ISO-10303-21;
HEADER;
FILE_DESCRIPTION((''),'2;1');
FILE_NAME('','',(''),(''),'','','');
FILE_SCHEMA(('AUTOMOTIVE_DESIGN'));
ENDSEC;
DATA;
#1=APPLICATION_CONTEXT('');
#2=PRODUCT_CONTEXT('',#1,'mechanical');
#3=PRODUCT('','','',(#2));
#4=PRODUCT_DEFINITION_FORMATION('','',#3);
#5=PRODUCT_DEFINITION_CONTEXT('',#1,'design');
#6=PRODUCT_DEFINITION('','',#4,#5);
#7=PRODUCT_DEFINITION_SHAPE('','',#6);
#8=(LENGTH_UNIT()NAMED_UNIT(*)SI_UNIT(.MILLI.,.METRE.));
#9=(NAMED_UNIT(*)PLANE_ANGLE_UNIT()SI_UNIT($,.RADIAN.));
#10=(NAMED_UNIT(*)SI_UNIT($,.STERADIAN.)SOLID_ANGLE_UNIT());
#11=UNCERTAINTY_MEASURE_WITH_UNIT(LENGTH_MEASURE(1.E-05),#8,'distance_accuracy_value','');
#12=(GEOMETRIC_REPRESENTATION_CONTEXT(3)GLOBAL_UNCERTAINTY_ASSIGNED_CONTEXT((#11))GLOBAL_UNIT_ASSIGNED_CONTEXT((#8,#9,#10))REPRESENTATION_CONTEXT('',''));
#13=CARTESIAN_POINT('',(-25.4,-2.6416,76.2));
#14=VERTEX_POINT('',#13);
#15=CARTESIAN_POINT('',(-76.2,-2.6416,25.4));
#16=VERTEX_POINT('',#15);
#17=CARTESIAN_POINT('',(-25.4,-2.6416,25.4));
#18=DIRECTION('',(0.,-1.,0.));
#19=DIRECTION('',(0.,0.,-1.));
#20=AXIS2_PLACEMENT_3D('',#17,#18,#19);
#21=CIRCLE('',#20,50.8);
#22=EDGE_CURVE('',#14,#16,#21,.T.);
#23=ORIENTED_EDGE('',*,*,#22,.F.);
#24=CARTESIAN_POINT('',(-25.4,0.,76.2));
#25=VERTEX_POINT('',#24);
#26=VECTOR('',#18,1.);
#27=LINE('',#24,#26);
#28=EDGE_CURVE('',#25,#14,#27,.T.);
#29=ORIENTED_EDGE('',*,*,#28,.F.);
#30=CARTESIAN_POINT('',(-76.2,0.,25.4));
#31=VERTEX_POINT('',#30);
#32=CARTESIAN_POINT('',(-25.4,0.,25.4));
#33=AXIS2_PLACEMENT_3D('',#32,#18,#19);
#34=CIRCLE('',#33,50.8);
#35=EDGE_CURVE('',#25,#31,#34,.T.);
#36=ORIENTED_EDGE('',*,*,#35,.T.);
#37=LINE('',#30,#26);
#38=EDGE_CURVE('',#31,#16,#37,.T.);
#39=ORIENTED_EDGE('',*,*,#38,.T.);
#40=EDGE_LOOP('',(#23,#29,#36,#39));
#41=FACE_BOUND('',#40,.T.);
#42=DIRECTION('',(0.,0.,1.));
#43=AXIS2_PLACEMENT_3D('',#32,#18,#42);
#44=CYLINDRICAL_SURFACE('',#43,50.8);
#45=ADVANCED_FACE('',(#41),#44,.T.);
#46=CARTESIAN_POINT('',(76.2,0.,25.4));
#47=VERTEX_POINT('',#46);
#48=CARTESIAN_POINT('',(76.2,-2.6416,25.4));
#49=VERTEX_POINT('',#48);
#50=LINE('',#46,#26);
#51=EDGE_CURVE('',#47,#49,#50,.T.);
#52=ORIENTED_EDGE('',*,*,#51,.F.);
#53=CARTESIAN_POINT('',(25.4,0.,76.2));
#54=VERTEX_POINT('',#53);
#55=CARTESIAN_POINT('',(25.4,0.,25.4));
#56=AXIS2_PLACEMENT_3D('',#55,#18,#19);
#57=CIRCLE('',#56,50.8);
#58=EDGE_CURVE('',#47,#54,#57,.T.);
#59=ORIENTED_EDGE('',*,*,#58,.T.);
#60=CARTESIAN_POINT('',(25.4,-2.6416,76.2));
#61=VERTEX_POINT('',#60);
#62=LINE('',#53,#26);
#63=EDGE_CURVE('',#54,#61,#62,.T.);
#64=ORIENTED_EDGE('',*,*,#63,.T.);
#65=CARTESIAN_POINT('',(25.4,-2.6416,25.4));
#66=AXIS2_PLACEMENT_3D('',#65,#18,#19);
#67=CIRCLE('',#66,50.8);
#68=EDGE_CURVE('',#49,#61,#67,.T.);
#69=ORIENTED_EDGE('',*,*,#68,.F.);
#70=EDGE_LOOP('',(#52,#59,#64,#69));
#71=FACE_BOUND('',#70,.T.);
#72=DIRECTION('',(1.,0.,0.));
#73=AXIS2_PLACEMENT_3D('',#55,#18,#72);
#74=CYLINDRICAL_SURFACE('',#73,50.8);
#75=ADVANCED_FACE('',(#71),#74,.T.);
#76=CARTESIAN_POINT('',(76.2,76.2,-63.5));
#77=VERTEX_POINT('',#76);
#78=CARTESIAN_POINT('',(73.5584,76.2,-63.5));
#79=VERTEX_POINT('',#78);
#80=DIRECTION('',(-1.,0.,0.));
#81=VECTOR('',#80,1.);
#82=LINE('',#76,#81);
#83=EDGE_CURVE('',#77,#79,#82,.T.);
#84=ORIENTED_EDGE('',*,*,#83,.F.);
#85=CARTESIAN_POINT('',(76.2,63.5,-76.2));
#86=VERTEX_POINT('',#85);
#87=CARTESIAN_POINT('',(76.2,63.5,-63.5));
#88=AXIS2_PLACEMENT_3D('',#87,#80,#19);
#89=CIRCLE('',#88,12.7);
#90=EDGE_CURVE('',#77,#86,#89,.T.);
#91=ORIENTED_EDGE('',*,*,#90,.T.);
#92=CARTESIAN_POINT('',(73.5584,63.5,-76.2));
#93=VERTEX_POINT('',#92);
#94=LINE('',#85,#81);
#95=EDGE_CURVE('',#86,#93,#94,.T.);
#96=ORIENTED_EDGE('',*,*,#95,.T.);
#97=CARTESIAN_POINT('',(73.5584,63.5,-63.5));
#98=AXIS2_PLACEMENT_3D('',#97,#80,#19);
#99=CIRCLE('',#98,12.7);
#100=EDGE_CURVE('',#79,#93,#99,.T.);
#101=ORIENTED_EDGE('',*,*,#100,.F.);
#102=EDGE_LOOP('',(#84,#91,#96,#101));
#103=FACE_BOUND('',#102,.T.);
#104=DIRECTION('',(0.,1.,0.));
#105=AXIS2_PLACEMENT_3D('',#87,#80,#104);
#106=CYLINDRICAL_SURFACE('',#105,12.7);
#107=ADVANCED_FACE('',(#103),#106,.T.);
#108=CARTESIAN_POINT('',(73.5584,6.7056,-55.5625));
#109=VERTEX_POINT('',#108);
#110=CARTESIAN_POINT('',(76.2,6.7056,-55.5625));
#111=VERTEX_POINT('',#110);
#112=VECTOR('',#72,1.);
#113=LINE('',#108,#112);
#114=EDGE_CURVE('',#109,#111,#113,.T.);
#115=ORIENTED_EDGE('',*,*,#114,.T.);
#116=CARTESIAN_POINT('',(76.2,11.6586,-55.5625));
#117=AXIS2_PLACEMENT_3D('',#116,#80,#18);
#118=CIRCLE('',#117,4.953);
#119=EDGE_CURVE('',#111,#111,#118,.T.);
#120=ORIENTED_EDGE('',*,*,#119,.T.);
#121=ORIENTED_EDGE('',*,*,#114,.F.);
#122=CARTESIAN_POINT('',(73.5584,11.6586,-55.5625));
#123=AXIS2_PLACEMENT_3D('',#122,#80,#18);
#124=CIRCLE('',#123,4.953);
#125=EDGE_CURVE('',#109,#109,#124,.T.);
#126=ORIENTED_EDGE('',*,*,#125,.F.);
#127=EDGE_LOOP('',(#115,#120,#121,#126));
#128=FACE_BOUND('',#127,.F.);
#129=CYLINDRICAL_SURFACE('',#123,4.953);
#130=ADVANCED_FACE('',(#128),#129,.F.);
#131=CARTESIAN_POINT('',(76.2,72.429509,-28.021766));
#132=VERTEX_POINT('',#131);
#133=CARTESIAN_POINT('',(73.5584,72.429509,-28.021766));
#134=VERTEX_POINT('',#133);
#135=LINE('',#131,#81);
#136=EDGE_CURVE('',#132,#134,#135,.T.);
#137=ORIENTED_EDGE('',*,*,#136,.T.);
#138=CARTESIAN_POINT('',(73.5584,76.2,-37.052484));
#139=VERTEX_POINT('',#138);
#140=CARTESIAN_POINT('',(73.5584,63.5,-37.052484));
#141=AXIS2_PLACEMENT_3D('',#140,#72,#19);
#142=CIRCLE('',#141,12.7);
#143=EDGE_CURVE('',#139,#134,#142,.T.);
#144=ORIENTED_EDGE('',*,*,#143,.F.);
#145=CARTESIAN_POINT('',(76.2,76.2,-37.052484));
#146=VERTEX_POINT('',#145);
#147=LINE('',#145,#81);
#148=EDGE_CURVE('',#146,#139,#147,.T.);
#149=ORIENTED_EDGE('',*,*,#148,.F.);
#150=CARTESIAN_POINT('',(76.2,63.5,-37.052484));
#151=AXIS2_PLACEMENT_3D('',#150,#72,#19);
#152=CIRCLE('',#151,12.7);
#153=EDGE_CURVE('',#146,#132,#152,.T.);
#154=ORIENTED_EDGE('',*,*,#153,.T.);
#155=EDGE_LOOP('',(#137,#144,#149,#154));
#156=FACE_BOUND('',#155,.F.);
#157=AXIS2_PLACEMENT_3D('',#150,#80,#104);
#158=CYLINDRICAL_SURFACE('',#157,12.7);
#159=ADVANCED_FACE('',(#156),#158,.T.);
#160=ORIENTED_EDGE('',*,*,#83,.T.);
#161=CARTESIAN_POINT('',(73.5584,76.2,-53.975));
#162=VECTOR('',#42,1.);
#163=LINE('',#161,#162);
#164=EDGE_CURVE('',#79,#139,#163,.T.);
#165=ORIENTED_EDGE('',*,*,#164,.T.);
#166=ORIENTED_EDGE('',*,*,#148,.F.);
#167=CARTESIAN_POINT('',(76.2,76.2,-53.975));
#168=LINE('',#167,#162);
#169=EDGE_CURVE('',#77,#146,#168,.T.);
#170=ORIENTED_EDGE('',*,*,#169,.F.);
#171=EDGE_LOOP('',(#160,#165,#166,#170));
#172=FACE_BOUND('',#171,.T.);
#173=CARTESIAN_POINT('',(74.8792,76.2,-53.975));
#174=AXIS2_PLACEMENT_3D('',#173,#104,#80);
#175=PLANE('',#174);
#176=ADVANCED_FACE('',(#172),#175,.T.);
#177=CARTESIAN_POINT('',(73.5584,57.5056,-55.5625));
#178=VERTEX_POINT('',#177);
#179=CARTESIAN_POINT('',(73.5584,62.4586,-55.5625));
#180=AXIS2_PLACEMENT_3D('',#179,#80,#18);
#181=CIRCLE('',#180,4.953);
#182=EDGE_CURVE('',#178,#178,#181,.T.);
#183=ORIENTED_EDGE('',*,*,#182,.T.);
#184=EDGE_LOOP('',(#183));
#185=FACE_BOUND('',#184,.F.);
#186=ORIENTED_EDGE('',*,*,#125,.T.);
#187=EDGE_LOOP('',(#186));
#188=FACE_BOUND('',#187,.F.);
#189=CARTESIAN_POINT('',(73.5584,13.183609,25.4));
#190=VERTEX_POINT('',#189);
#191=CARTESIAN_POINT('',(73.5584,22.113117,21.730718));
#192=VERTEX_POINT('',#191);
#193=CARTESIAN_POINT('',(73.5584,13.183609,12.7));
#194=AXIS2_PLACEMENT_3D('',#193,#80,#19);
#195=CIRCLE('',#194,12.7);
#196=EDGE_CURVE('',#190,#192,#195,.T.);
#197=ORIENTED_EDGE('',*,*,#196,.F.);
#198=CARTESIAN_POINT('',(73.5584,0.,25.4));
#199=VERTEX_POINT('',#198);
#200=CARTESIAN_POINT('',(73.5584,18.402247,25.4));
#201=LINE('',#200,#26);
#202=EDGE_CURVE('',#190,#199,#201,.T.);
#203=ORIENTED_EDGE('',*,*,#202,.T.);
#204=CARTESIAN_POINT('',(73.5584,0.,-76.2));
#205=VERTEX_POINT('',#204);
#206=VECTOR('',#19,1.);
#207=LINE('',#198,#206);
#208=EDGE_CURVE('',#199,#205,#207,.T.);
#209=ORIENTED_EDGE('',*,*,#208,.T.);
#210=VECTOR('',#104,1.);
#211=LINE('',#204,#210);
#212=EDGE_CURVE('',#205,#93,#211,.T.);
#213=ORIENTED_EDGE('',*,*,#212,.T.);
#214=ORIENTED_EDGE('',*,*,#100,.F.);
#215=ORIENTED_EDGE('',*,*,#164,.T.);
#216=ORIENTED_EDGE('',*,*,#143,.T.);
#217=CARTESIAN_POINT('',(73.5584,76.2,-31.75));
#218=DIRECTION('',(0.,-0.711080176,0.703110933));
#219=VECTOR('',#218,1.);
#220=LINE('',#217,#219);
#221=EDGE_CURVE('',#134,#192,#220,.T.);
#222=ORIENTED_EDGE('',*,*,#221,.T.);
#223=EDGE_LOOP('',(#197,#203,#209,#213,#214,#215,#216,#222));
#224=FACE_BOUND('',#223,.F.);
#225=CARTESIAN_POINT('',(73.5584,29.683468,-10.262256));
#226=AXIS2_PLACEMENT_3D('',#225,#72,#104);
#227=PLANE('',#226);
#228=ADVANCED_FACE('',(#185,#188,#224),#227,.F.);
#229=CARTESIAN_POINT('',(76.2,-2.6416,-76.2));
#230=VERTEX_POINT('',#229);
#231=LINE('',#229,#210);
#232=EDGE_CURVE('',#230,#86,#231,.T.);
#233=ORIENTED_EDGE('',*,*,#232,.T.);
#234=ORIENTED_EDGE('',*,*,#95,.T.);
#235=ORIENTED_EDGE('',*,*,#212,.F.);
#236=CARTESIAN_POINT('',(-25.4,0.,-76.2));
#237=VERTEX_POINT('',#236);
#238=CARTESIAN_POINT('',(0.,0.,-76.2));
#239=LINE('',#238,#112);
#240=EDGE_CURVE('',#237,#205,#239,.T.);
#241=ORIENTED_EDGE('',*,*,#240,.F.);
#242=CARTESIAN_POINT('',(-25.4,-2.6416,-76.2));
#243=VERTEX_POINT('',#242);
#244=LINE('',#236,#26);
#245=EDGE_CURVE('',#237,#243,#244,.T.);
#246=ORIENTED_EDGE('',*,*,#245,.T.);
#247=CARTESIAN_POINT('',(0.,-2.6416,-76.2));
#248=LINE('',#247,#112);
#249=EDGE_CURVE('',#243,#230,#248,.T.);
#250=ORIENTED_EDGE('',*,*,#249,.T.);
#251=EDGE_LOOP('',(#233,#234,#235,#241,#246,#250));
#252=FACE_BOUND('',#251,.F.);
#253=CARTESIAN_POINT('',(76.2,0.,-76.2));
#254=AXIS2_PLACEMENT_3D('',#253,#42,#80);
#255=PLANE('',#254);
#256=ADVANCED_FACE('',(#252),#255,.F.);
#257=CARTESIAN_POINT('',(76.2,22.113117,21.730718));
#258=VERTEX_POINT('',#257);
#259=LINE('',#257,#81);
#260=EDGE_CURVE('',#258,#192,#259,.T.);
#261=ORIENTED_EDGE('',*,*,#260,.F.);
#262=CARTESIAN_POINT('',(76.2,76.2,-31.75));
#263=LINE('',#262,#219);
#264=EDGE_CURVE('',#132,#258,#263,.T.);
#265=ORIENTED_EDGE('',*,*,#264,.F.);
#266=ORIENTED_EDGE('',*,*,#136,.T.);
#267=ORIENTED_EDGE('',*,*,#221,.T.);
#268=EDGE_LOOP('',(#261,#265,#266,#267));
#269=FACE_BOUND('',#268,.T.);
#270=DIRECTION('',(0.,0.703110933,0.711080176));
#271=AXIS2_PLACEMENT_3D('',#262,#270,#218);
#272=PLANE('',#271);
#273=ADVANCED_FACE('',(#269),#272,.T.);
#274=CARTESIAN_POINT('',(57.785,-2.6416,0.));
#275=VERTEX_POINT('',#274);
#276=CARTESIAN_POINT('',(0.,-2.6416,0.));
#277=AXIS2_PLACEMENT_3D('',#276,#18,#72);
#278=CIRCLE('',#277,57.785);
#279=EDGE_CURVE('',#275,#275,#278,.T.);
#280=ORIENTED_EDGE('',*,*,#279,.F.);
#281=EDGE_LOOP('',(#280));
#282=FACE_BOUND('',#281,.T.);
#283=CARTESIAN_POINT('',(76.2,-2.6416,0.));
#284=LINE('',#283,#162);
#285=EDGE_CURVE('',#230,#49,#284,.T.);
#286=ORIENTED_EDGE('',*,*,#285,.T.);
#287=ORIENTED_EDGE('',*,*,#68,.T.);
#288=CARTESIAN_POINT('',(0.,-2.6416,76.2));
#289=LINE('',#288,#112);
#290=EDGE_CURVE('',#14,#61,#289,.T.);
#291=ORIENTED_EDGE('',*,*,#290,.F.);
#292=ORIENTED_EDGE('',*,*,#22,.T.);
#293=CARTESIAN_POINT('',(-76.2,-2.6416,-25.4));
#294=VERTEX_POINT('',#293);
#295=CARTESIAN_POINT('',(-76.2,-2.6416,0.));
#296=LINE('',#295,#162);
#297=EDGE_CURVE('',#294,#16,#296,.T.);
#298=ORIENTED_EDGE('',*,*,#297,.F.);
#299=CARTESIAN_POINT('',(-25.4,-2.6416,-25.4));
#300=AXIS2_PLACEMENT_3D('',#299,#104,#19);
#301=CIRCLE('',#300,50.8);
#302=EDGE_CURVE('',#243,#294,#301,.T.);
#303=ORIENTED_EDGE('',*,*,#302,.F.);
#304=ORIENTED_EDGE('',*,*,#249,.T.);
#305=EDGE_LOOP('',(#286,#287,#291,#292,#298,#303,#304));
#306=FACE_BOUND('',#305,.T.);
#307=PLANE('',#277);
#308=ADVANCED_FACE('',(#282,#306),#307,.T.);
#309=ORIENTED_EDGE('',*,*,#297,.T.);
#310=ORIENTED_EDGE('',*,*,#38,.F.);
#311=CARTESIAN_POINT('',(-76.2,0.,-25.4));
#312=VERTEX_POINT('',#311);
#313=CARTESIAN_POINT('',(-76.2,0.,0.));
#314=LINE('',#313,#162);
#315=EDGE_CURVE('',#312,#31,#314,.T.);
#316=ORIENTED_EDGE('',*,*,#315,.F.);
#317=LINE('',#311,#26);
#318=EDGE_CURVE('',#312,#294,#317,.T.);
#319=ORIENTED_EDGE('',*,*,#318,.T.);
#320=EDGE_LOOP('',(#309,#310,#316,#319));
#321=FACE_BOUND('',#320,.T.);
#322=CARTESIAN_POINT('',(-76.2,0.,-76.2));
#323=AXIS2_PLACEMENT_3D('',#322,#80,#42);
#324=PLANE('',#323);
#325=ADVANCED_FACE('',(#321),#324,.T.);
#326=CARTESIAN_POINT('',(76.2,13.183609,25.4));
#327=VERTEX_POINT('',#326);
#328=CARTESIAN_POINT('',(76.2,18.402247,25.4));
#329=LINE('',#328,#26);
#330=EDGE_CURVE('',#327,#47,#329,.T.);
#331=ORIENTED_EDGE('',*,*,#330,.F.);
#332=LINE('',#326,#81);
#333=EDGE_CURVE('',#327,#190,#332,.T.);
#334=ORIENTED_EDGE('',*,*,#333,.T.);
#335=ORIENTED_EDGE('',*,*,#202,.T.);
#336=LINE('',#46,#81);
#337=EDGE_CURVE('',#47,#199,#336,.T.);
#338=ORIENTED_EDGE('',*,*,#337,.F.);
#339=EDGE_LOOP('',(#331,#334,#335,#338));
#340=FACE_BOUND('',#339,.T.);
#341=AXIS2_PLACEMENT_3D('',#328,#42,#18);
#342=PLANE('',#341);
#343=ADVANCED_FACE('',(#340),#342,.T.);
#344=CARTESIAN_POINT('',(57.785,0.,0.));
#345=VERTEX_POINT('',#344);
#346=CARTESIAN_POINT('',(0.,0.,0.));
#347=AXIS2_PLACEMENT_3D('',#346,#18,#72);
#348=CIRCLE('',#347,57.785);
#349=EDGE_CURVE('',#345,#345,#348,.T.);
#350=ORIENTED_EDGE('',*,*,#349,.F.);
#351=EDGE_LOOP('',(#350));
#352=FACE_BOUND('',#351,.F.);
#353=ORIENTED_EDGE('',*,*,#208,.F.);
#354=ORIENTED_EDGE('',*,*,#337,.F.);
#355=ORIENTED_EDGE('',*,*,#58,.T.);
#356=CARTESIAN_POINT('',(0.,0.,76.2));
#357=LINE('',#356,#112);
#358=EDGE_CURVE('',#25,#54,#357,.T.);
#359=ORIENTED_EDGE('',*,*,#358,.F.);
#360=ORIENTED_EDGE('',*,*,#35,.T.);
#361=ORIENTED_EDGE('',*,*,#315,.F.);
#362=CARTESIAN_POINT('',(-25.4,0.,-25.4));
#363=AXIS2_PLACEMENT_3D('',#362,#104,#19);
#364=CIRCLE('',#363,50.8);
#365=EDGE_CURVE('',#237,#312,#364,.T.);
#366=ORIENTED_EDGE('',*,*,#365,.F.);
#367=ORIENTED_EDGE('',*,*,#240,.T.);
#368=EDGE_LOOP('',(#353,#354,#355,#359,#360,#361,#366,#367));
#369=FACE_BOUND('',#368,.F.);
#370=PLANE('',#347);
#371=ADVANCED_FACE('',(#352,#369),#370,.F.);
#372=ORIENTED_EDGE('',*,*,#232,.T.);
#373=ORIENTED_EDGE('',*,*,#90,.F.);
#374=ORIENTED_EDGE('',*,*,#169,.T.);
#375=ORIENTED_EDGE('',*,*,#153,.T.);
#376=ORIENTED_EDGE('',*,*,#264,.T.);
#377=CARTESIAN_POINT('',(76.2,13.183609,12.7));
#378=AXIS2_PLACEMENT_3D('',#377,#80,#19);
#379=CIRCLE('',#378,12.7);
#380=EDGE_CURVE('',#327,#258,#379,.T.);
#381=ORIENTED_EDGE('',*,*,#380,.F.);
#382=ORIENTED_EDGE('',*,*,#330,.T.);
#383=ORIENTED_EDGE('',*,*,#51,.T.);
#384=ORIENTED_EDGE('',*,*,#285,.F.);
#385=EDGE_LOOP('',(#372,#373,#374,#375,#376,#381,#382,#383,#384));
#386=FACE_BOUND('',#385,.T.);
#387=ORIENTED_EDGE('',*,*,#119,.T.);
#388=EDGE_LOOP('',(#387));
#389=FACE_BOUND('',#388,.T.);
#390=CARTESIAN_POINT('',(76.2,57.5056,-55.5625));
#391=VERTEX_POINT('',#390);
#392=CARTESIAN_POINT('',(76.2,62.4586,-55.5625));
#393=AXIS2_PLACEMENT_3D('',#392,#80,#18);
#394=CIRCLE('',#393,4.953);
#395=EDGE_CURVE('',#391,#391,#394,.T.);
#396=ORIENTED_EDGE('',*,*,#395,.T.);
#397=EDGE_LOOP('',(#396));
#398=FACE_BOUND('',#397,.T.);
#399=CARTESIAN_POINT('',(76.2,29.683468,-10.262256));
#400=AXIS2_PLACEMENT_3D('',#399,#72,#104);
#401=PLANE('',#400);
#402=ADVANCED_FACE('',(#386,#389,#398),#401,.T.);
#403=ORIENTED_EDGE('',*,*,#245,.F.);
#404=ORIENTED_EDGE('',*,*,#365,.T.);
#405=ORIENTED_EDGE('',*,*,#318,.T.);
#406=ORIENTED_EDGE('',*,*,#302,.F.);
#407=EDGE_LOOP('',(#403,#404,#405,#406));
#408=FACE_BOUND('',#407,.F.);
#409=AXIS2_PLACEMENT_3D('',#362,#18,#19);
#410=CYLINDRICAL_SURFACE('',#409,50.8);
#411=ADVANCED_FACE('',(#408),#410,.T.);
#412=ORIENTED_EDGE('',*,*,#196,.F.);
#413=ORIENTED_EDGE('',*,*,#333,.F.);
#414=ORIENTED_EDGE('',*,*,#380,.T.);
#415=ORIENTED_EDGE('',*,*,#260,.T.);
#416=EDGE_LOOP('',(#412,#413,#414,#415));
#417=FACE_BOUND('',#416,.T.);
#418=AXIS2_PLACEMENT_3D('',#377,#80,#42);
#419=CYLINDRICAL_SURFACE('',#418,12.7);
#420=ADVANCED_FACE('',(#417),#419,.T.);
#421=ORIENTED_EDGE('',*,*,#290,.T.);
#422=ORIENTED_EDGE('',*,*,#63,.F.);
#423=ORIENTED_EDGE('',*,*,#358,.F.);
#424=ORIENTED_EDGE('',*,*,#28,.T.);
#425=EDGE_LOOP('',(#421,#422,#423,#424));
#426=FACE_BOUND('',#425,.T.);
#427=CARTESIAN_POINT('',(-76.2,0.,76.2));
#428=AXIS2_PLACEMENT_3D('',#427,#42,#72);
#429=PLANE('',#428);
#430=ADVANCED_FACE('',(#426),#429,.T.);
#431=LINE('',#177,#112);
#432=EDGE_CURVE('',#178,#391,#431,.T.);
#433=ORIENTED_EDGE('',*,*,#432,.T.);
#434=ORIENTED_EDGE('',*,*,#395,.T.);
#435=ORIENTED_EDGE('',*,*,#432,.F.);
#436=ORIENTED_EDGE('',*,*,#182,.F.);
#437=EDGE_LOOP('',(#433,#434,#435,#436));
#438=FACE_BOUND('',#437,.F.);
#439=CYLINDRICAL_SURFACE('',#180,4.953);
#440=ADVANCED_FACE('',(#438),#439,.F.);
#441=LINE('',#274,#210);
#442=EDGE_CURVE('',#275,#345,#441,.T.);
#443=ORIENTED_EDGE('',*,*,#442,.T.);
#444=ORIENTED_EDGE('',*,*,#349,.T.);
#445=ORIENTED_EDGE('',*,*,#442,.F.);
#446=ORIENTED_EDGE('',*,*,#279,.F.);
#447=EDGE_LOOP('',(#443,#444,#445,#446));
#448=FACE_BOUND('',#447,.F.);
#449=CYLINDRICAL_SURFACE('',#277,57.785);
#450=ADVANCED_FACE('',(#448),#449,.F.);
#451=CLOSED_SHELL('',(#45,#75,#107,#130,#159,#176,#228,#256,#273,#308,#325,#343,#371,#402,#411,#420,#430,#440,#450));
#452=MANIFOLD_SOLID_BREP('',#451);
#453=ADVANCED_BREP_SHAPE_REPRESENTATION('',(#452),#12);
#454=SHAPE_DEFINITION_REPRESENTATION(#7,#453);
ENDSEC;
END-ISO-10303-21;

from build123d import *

# Parameters (mm, degrees)
F0_W      = 152.4
F0_H      = 152.4
F1_DEPTH  = 2.6416
F2_W      = 2.6416
F2_H      = 44.45
F3_DEPTH  = 76.2
F4_R      = 57.785
F5_DEPTH  = 25.4
F6_R      = 50.8
F7_R      = 4.953
F8_DEPTH  = 25.4
F10_DEPTH = 2.6416
F11_R     = 12.7


with BuildPart() as f1:
    # F0 (on Front) → F1 (new body)
    with BuildSketch(Plane.XZ):
        Rectangle(F0_W, F0_H)
    extrude(amount=F1_DEPTH)

    # F2 (on face) → F3 (join)
    with BuildSketch(Plane(origin=(0, 0, 0), x_dir=(-1, 0, 0), z_dir=(0, 1, 0))):
        with Locations((-74.8792, -53.975)):
            Rectangle(F2_W, F2_H)
    extrude(amount=F3_DEPTH)

    # F4 (on face) → F5 (cut)
    with BuildSketch(Plane.XZ.offset(2.6416)):
        Circle(F4_R)
    extrude(amount=-F5_DEPTH, mode=Mode.SUBTRACT)

    # F6
    f6_edges = [f1.edges().sort_by_distance(p)[0] for p in [
        (76.2, -1.3208, 76.2),
        (-76.2, -1.3208, 76.2),
        (-76.2, -1.3208, -76.2),
    ]]
    fillet(f6_edges, radius=F6_R)

    # F7 (on face) → F8 (cut)
    with BuildSketch(Plane(origin=(73.5584, 0, 0), x_dir=(0, -1, 0), z_dir=(-1, 0, 0))):
        with Locations((-11.6586, -55.5625)):
            Circle(F7_R)
        with Locations((-62.4586, -55.5625)):
            Circle(F7_R)
    extrude(amount=-F8_DEPTH, mode=Mode.SUBTRACT)

    # F9 (on face) → F10 (join)
    with BuildSketch(Plane.YZ.offset(76.2)):
        Polygon((18.402247, 25.4), (0, 25.4), (0, -31.75), (76.2, -31.75), align=None)
    extrude(amount=-F10_DEPTH)

    # F11
    f11_edges = [f1.edges().sort_by_distance(p)[0] for p in [
        (74.8792, 76.2, -76.2),
        (74.8792, 76.2, -31.75),
        (74.8792, 18.402247, 25.4),
    ]]
    fillet(f11_edges, radius=F11_R)


solid = f1.part
